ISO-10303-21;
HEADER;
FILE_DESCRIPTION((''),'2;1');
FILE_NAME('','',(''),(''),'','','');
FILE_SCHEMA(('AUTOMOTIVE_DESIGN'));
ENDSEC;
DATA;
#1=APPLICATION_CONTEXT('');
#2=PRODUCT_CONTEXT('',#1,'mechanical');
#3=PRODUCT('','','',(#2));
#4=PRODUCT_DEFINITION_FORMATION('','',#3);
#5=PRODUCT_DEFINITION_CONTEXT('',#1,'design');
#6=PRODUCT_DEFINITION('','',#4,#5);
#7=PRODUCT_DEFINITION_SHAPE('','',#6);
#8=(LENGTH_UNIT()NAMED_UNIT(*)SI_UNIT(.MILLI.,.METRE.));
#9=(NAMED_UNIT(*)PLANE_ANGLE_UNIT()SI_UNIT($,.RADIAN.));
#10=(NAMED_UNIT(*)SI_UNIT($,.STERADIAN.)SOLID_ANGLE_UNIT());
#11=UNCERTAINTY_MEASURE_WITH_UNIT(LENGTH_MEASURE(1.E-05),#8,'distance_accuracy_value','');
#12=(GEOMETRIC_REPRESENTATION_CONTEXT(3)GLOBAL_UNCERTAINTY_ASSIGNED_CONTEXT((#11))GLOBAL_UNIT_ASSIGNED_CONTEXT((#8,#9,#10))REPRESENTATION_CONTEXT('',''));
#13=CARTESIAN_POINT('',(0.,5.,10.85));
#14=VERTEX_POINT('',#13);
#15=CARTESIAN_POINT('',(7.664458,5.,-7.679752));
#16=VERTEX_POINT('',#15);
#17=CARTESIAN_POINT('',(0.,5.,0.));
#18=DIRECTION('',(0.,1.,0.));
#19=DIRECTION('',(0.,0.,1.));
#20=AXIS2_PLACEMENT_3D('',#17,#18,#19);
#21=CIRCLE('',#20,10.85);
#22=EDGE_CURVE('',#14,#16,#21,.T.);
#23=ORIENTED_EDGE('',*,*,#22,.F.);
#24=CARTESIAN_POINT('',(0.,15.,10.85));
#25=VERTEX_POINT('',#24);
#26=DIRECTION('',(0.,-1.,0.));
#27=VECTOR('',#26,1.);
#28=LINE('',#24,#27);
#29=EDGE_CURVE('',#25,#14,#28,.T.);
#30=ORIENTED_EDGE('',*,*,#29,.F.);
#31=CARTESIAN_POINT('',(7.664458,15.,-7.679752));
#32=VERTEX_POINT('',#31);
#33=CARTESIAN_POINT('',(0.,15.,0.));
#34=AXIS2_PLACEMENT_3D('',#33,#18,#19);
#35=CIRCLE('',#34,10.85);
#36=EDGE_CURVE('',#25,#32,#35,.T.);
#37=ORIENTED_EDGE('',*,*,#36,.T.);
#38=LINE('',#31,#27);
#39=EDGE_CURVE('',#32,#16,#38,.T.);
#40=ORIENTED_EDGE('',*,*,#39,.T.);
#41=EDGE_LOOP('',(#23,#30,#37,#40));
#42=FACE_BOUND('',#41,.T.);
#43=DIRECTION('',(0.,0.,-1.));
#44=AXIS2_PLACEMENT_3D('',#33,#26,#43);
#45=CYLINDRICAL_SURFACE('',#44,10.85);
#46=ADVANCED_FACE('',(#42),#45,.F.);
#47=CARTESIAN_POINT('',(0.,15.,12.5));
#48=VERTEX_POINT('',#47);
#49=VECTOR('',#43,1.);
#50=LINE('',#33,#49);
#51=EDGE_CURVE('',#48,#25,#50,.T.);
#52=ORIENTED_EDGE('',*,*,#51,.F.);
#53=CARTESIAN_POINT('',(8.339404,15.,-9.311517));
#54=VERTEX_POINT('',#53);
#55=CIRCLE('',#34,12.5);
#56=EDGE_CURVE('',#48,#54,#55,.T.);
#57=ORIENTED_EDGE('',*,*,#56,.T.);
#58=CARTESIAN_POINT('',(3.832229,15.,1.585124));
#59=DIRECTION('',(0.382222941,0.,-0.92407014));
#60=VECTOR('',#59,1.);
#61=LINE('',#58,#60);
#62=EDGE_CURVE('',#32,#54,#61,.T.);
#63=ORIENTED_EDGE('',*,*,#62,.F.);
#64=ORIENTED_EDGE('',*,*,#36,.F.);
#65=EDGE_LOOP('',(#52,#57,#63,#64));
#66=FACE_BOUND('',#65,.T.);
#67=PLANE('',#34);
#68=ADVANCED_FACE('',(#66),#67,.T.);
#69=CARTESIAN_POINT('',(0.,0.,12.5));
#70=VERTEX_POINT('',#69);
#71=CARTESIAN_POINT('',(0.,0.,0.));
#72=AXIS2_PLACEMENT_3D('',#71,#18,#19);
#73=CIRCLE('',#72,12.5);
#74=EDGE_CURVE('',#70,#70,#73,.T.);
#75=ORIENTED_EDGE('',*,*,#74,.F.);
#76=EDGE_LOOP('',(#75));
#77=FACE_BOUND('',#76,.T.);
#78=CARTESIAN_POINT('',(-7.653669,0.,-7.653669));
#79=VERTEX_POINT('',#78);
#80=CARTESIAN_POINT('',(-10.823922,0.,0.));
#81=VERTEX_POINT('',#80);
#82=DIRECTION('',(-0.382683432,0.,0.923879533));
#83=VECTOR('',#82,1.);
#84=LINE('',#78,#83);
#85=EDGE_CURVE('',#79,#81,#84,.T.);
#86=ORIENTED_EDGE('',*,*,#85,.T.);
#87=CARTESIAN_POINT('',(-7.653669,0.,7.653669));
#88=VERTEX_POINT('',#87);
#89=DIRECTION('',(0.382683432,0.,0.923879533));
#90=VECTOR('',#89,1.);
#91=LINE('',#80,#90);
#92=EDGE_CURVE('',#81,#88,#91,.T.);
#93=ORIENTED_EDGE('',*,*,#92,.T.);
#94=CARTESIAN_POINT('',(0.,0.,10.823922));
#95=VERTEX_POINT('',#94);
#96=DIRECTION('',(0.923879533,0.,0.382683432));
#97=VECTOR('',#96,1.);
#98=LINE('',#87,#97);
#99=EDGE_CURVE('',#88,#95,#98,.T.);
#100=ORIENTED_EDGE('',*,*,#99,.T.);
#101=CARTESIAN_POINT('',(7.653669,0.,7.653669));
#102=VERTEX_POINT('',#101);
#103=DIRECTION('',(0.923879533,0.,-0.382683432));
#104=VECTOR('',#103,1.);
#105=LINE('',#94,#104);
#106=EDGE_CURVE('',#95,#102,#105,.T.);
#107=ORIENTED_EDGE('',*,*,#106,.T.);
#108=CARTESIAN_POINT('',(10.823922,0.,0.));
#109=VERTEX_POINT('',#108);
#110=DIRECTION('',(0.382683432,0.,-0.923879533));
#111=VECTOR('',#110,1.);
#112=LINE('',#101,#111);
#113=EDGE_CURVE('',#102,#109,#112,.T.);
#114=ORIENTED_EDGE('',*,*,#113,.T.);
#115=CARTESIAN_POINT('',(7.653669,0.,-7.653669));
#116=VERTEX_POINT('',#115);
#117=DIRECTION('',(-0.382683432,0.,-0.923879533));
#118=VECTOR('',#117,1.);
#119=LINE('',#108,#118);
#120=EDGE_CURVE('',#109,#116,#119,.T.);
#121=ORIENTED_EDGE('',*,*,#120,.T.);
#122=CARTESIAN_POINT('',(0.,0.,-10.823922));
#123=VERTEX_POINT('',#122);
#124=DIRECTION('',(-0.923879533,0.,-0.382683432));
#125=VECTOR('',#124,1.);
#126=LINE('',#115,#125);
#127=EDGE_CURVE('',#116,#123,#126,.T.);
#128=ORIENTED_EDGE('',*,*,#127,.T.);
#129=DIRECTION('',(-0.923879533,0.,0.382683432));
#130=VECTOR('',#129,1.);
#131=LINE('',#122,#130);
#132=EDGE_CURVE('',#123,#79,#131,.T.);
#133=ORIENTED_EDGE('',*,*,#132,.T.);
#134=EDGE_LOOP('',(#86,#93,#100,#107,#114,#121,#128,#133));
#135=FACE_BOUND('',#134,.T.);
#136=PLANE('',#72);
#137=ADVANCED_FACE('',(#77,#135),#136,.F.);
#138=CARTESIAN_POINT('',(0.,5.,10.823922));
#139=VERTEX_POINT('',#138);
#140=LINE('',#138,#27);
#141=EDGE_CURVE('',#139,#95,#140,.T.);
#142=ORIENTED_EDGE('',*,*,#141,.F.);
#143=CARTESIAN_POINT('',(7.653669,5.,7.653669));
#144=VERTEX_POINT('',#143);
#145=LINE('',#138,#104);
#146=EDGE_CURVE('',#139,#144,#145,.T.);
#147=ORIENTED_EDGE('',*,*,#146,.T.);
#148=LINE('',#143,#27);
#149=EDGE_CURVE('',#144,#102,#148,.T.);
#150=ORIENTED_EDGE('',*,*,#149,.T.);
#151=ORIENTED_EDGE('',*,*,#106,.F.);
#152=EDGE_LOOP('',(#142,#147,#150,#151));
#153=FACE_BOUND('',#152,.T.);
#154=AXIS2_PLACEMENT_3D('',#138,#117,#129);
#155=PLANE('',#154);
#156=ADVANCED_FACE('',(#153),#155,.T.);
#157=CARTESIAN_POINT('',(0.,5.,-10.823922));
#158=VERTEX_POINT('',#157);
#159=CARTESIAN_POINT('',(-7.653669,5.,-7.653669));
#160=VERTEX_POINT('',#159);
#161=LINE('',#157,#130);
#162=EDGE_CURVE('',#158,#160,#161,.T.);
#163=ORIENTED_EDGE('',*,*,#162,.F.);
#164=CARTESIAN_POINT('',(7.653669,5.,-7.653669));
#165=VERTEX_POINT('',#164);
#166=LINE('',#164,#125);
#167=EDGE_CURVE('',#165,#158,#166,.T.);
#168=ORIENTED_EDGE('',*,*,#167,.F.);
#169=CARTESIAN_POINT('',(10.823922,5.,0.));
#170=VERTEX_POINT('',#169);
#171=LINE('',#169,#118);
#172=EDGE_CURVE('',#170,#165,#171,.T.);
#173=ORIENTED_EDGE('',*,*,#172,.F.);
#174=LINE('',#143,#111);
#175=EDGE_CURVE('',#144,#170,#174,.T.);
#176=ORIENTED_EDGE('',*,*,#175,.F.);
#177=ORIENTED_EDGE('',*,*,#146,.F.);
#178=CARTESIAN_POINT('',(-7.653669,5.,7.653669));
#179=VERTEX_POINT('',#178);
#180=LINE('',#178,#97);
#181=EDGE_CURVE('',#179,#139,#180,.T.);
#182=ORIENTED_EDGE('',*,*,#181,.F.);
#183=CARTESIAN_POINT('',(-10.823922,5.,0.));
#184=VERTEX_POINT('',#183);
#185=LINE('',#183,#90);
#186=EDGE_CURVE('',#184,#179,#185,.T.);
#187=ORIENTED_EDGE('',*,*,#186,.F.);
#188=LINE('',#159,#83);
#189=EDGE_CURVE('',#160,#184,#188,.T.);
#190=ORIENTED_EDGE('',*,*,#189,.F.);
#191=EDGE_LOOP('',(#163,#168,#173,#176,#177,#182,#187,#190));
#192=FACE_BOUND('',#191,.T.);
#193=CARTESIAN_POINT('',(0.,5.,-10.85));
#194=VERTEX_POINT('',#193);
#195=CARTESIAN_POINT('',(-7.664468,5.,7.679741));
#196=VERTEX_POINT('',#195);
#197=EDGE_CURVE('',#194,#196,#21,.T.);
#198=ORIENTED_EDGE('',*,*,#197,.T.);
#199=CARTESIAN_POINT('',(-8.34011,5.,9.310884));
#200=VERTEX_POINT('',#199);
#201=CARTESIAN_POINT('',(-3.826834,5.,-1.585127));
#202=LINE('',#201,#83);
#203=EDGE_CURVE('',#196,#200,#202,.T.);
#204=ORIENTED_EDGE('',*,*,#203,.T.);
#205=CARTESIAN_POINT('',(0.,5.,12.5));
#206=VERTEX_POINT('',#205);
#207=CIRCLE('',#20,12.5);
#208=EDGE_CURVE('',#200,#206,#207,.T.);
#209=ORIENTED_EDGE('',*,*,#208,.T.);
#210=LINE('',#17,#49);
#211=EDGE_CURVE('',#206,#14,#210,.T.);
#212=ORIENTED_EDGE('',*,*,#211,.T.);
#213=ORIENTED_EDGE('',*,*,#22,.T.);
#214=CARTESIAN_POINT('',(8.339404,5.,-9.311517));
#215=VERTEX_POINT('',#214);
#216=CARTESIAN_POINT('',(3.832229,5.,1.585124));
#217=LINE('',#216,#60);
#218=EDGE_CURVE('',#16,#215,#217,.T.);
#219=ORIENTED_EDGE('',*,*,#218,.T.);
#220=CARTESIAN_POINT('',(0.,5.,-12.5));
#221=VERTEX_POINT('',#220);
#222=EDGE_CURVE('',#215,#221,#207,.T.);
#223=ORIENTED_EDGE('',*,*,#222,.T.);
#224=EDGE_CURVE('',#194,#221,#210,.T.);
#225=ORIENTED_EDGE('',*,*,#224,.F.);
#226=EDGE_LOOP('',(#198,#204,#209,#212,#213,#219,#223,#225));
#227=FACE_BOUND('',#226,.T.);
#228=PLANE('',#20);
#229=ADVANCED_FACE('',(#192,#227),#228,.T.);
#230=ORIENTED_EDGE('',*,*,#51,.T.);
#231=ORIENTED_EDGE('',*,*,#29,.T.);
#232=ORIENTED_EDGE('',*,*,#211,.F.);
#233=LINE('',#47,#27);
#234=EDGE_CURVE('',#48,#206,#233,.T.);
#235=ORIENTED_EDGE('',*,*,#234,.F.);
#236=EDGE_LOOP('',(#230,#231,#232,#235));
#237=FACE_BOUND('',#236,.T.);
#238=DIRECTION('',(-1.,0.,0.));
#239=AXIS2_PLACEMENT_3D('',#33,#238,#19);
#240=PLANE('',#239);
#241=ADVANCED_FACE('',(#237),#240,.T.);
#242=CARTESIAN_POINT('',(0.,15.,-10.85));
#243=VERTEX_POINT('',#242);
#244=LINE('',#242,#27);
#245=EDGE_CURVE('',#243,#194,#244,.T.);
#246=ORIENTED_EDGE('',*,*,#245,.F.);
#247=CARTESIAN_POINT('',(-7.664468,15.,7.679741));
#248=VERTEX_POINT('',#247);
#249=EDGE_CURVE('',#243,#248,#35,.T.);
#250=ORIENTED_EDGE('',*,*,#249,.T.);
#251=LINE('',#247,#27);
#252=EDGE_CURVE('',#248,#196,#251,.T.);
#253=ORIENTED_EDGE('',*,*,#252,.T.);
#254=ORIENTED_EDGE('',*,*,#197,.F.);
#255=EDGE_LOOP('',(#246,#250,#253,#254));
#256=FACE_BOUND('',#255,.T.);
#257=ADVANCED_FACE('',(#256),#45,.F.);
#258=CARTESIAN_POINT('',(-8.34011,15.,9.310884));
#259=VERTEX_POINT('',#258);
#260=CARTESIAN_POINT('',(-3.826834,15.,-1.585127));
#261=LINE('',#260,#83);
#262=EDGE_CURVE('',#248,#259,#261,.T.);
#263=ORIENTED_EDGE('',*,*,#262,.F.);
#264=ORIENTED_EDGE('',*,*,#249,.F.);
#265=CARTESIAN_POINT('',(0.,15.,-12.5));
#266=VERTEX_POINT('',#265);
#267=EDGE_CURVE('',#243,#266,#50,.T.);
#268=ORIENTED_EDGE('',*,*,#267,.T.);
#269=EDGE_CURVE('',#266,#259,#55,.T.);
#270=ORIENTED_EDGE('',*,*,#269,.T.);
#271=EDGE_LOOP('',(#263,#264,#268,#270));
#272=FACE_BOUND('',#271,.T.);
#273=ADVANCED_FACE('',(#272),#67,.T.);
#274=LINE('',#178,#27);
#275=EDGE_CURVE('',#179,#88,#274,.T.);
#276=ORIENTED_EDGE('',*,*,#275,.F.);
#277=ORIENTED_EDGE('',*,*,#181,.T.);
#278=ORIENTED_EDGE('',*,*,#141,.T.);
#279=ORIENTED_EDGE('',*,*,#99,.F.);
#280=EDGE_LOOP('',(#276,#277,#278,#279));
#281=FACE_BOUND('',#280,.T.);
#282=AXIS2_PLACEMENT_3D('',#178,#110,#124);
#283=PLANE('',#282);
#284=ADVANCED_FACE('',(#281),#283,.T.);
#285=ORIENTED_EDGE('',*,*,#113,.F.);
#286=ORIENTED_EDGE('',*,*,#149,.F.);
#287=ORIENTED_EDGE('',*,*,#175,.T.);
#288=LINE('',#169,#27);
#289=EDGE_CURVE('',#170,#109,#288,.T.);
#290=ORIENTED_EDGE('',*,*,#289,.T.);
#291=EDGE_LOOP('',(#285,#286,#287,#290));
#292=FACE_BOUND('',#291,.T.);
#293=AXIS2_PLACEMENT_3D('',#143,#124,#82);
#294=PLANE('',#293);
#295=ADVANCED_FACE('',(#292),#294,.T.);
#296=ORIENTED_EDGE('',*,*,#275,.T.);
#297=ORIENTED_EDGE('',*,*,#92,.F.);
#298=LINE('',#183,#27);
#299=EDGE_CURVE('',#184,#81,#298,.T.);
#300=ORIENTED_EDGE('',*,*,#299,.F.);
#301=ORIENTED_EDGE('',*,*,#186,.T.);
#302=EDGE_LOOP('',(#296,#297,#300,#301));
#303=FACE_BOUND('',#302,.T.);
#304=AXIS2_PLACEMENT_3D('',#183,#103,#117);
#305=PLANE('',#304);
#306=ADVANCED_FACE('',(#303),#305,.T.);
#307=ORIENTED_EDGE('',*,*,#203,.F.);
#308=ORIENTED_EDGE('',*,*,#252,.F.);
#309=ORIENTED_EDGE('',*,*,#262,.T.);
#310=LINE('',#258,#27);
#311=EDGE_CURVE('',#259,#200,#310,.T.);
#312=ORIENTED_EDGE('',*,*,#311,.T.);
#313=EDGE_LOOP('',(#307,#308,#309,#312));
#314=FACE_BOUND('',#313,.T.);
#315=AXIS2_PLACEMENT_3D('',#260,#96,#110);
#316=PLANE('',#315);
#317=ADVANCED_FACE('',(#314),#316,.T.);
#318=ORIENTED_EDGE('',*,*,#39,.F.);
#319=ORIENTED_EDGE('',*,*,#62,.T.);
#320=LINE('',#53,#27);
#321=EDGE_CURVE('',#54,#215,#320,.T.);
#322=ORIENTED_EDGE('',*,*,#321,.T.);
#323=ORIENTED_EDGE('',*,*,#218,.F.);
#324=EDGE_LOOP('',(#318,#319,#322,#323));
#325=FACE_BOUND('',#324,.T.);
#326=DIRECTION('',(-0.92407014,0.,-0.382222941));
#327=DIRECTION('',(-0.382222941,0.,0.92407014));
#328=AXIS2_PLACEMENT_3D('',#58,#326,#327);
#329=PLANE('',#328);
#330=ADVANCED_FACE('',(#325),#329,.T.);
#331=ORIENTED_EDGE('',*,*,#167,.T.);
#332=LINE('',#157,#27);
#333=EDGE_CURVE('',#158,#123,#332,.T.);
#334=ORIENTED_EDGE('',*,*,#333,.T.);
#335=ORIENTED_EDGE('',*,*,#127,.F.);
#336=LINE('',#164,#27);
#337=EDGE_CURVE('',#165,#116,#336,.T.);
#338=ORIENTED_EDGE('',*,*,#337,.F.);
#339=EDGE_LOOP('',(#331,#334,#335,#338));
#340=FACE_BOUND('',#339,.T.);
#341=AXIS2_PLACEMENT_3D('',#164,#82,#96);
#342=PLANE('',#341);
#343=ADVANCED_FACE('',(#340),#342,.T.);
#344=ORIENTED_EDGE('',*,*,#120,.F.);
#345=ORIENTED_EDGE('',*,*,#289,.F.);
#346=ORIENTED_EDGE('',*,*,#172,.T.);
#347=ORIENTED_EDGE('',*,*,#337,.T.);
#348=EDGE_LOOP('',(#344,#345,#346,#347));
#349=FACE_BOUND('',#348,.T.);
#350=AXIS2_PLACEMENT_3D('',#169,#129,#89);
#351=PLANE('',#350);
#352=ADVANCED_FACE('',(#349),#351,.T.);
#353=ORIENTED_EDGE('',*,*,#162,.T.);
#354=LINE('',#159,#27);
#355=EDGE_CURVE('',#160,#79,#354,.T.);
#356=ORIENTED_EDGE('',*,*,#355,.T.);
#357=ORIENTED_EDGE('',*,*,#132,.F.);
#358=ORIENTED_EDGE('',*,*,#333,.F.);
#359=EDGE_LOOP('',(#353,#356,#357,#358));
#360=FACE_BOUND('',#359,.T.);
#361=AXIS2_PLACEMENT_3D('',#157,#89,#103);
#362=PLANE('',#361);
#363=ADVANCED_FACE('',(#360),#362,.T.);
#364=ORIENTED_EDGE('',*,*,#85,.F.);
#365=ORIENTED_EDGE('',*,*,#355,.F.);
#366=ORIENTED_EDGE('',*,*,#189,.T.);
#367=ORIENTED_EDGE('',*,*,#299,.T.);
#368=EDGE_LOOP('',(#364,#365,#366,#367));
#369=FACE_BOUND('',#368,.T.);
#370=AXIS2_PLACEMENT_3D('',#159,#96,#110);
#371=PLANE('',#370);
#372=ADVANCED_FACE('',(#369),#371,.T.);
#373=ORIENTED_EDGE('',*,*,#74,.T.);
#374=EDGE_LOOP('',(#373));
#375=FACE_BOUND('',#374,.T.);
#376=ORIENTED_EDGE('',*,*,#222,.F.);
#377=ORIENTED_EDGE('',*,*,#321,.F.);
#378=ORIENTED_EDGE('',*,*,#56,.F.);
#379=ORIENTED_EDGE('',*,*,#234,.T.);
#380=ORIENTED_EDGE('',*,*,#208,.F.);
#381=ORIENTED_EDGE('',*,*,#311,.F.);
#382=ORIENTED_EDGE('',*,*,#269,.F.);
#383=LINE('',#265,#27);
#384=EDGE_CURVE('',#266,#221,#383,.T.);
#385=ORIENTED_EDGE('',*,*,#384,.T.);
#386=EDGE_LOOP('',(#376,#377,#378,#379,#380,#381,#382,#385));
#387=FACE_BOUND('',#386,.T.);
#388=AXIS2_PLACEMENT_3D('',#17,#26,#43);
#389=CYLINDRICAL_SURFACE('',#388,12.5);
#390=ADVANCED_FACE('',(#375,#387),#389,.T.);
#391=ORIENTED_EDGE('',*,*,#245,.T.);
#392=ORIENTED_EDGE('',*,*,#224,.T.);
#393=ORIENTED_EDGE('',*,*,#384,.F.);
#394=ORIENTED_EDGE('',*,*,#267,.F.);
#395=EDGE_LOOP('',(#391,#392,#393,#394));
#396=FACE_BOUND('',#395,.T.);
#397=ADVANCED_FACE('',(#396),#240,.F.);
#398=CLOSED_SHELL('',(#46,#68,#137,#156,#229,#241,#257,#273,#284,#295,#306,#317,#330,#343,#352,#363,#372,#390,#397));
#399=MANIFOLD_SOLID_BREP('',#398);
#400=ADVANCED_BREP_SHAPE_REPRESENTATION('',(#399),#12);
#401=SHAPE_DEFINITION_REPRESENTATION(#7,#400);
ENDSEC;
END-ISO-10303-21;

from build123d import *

# Parameters (mm, degrees)
SKETCH1_R           = 12.5
BOSS_EXTRUDE1_DEPTH = 5
BOSS_EXTRUDE3_DEPTH = 10


with BuildPart() as part:
    # Sketch1 → Boss-Extrude1 (new body)
    with BuildSketch(Plane(origin=(0, 0, 0), x_dir=(1, 0, 0), z_dir=(0, 1, 0))):
        with Locations(Location((0, 0, 0), (0, 0, 270))):
            Circle(SKETCH1_R)
        Polygon((10.823922003, 0), (7.653668647, 7.653668647), (0, 10.823922003), (-7.653668647, 7.653668647), (-10.823922003, 0), (-7.653668647, -7.653668647), (0, -10.823922003), (7.653668647, -7.653668647), align=None, mode=Mode.SUBTRACT)
    extrude(amount=BOSS_EXTRUDE1_DEPTH)

    # Sketch2 → Boss-Extrude3 (add)
    with BuildSketch(Plane(origin=(0, 5, 0), x_dir=(1, 0, 0), z_dir=(0, 1, 0))):
        with BuildLine():
            Line((-8.340109868, -9.310884351), (-7.664468281, -7.67974127))
            ThreePointArc((-7.664468281, -7.67974127), (-10.026158107, 4.147125946), (0, 10.85))
            Line((0, 10.85), (0, 12.5))
            ThreePointArc((0, 12.5), (-11.675531131, 4.464523805), (-8.340109868, -9.310884351))
        make_face()
        with BuildLine():
            ThreePointArc((10.85, 0), (7.672108576, -7.672108576), (0, -10.85))
            Line((0, -10.85), (0, -12.5))
            ThreePointArc((0, -12.5), (8.838834765, -8.838834765), (12.5, 0))
            ThreePointArc((12.5, 0), (11.412549003, 5.099384792), (8.339403959, 9.311516612))
            Line((8.339403959, 9.311516612), (7.664457508, 7.679752021))
            ThreePointArc((7.664457508, 7.679752021), (10.02202235, 4.157110537), (10.85, 0))
        make_face()
    extrude(amount=BOSS_EXTRUDE3_DEPTH)


solid = part.part
